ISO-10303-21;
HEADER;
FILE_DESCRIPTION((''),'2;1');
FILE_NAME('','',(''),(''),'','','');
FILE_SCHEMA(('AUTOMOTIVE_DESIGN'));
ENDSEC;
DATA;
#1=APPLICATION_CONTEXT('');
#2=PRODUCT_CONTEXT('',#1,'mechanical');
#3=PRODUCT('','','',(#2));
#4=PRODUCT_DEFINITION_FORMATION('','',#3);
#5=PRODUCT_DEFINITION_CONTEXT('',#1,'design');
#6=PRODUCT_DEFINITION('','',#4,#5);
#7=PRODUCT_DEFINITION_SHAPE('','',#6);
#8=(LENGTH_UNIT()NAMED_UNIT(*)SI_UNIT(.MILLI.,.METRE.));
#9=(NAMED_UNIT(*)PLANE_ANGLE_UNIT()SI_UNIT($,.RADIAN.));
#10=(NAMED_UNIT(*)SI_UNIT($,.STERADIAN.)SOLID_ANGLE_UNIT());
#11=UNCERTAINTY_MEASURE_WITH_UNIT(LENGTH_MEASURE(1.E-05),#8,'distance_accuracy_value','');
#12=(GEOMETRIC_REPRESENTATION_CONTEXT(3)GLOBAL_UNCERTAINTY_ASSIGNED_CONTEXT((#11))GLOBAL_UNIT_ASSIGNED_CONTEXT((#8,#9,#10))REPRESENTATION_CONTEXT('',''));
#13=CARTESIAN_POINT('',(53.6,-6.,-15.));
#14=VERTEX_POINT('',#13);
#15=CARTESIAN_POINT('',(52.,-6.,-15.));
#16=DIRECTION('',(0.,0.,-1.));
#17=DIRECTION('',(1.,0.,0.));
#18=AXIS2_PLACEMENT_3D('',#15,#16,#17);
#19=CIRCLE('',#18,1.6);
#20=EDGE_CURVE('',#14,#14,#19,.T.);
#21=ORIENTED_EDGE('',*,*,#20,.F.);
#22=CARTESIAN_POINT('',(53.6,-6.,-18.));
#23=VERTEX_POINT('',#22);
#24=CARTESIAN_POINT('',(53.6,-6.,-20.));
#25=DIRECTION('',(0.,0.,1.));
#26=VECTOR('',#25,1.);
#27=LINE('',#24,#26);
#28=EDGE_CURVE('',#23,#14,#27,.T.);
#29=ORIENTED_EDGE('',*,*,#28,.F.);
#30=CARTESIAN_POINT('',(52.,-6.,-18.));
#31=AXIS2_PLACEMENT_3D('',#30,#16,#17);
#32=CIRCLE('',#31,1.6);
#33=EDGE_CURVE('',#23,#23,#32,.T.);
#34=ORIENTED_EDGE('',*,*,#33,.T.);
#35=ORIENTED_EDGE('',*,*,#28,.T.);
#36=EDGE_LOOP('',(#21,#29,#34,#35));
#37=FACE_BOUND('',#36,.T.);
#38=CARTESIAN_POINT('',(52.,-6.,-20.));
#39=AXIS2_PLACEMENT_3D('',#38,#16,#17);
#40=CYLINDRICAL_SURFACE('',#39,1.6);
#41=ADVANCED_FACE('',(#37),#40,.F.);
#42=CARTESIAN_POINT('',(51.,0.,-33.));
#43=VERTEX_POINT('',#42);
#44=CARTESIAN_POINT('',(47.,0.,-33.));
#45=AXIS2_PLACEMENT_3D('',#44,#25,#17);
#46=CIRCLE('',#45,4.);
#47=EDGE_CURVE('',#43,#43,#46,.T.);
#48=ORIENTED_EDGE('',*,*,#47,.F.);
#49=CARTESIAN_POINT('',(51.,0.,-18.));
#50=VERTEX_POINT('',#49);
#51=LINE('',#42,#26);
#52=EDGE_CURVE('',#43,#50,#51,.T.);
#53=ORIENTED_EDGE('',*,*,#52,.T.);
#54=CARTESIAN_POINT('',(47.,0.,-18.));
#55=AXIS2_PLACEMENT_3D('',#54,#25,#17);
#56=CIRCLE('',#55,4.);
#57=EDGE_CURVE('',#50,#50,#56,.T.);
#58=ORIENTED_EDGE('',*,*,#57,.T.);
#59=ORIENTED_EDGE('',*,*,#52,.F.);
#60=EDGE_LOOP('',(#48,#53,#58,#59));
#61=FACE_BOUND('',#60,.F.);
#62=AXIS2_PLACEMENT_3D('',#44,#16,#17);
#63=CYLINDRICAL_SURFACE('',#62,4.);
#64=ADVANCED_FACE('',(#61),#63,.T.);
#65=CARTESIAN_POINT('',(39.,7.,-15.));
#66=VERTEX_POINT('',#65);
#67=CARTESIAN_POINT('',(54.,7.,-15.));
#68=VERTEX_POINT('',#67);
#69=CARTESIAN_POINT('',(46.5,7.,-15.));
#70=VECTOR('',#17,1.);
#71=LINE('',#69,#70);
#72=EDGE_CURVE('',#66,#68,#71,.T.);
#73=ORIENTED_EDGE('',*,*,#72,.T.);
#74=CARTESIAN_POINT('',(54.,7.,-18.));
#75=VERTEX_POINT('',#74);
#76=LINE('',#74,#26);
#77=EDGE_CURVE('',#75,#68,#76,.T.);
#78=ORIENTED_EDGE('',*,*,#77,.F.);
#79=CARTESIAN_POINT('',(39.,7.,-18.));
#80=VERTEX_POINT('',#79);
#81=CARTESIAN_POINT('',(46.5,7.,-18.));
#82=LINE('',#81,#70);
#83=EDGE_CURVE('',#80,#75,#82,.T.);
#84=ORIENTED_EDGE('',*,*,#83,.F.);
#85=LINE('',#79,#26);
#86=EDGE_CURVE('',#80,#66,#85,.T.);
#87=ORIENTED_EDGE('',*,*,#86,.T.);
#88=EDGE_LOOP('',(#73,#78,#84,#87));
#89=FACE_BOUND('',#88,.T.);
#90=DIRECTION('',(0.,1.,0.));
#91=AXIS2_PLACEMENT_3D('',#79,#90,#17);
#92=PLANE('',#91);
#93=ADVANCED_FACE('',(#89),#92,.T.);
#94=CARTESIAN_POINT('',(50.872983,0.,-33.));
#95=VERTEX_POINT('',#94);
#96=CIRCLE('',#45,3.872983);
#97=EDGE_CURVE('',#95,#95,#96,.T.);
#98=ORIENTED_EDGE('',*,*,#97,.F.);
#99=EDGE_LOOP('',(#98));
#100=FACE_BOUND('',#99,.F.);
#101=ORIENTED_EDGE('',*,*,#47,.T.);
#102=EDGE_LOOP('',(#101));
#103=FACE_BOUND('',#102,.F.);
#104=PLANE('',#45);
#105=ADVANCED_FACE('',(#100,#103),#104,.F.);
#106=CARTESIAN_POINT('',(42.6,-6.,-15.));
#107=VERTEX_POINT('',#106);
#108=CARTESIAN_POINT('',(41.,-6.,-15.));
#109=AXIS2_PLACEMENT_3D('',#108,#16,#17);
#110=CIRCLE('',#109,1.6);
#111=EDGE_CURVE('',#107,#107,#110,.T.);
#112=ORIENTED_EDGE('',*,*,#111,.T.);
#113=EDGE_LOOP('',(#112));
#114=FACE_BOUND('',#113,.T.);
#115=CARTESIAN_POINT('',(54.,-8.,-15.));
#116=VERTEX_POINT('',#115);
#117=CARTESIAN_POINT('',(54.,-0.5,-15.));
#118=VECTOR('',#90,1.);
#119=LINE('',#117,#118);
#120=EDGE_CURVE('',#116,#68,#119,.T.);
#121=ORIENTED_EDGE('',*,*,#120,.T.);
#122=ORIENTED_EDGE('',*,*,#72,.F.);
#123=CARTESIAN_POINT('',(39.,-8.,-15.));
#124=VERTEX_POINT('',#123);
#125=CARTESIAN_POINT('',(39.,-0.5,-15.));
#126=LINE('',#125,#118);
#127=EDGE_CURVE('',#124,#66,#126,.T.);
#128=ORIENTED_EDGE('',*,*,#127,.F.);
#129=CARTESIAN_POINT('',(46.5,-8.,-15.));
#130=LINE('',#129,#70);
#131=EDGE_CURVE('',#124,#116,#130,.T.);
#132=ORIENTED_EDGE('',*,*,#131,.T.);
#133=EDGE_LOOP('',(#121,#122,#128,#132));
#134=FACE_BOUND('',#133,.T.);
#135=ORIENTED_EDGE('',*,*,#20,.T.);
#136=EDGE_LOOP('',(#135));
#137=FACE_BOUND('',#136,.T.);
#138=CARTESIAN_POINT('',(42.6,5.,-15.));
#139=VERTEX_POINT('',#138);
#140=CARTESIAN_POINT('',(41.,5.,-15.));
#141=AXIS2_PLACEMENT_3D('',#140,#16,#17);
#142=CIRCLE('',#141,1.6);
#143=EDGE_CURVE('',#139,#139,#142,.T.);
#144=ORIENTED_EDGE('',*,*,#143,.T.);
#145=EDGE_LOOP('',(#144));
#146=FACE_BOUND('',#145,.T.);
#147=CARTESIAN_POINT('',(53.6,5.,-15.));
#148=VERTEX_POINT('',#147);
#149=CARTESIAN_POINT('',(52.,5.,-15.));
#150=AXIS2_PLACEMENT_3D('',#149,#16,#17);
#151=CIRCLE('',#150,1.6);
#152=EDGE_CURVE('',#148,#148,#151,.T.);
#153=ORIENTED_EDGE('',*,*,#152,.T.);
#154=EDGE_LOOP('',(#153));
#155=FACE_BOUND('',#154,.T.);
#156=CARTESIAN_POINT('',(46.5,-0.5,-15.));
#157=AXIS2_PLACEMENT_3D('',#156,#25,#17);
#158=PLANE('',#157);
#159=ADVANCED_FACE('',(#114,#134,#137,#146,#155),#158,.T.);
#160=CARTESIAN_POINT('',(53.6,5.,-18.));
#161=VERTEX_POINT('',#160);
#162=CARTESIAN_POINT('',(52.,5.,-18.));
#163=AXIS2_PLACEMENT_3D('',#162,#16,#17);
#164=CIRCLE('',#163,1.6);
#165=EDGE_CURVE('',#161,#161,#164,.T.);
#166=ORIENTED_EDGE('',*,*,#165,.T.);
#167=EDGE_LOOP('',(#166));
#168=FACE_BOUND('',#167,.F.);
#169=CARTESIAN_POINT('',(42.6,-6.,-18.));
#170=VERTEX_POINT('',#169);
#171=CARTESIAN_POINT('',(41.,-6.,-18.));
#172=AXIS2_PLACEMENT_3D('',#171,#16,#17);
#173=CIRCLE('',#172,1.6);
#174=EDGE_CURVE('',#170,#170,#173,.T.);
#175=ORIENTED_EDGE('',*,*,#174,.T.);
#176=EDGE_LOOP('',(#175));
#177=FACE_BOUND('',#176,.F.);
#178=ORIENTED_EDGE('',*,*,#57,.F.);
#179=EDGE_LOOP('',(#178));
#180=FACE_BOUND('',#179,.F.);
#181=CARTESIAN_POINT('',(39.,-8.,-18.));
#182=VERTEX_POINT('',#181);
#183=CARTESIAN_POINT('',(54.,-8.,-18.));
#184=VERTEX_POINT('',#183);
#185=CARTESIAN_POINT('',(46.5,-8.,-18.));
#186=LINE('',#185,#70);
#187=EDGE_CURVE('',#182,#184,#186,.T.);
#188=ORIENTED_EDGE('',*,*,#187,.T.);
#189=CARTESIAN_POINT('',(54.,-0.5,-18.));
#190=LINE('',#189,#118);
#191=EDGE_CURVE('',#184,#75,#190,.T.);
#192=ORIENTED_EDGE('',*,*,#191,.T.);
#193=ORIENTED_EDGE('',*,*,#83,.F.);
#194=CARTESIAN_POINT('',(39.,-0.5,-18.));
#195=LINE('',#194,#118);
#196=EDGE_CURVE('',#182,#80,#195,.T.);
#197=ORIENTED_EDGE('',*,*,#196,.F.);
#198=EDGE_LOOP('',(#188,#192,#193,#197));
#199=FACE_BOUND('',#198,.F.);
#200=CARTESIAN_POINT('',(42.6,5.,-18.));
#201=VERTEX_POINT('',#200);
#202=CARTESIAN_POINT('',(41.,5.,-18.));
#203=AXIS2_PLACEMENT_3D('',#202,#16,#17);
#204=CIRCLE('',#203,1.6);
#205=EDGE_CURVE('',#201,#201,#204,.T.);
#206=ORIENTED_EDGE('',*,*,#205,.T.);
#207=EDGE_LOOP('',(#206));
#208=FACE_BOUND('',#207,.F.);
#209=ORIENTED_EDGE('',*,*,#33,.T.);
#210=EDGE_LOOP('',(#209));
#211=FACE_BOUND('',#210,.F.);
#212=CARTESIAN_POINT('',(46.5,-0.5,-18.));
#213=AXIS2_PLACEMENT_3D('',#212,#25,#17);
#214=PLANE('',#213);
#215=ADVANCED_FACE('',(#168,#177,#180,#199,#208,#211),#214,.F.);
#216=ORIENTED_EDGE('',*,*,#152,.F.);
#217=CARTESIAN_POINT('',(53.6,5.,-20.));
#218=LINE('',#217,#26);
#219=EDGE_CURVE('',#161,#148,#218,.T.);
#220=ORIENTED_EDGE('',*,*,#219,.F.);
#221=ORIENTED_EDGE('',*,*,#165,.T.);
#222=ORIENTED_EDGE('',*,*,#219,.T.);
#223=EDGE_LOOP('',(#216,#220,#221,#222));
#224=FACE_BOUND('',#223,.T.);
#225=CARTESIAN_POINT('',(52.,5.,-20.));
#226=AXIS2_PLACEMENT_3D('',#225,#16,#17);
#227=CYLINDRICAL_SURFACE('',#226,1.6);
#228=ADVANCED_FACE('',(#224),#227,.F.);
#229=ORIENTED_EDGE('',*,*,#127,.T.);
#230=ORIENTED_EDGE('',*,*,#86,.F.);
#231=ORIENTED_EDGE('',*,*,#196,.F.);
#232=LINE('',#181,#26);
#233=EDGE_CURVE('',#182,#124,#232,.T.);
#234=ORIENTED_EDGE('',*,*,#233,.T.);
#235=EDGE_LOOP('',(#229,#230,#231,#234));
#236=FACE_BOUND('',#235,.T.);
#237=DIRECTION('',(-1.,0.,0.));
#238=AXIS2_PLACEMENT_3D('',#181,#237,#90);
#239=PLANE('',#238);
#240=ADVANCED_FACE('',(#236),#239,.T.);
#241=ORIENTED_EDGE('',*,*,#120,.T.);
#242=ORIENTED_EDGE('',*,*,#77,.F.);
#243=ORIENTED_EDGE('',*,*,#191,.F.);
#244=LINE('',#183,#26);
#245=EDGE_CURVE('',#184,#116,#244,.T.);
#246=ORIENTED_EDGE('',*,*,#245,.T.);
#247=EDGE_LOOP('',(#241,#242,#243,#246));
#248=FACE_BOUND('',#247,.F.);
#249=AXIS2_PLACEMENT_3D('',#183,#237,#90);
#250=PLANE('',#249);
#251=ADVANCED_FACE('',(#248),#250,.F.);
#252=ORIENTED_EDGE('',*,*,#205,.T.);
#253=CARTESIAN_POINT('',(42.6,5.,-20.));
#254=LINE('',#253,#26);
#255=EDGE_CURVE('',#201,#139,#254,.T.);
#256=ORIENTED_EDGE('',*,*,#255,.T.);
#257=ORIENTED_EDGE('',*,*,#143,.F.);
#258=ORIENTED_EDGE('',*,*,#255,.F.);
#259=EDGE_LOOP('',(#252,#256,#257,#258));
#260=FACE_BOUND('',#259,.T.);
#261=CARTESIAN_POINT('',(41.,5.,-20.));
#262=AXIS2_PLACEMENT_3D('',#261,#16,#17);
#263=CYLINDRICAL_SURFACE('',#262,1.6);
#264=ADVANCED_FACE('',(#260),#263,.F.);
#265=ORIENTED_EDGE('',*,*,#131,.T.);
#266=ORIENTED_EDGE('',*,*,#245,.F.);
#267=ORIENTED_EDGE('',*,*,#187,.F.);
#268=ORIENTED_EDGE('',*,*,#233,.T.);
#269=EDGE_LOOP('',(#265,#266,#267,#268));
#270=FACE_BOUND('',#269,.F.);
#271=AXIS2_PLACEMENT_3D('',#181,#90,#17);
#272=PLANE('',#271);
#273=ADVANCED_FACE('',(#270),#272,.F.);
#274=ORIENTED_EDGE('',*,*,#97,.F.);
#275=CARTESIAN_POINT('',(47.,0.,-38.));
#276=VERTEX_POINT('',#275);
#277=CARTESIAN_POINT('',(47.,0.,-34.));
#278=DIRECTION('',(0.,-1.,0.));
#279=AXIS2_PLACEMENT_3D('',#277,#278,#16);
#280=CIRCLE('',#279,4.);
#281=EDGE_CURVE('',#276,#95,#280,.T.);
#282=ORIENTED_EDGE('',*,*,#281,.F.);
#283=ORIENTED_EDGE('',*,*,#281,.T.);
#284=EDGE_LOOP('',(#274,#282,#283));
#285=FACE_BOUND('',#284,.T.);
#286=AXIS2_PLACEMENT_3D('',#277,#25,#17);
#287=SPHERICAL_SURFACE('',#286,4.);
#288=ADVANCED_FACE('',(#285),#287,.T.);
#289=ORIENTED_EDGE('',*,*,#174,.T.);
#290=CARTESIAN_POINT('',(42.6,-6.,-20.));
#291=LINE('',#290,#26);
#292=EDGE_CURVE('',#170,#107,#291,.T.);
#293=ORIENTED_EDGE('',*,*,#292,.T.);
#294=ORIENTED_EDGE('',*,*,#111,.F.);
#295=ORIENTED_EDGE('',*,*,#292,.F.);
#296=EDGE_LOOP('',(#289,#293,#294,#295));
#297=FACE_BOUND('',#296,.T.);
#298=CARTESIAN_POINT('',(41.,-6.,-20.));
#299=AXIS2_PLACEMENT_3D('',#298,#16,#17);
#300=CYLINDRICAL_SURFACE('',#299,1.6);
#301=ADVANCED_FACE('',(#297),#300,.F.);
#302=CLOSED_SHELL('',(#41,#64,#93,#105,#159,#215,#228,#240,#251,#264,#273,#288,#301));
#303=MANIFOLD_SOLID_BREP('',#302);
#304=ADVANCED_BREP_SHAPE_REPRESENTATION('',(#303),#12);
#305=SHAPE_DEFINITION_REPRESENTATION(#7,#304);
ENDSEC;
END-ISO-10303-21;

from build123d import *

# Parameters (mm, degrees)
CYLINDER013_R     = 1.6
CYLINDER013_DEPTH = 10
CYLINDER014_R     = 1.6
CYLINDER014_DEPTH = 10
CYLINDER015_R     = 1.6
CYLINDER015_DEPTH = 10
CYLINDER012_R     = 1.6
CYLINDER012_DEPTH = 10
BOX008_W          = 15
BOX008_H          = 15
BOX008_DEPTH      = 3
CYLINDER011_R     = 4
CYLINDER011_DEPTH = 15


with BuildPart() as cilindro013:
    # Cylinder013 → Cylinder013 (new body)
    with BuildSketch(Plane(origin=(32, 5, -20), x_dir=(1, 0, 0), z_dir=(0, 0, 1))):
        Circle(CYLINDER013_R)
    extrude(amount=CYLINDER013_DEPTH)


with BuildPart() as cilindro014:
    # Cylinder014 → Cylinder014 (new body)
    with BuildSketch(Plane(origin=(21, -6, -20), x_dir=(1, 0, 0), z_dir=(0, 0, 1))):
        Circle(CYLINDER014_R)
    extrude(amount=CYLINDER014_DEPTH)


with BuildPart() as cilindro015:
    # Cylinder015 → Cylinder015 (new body)
    with BuildSketch(Plane(origin=(21, 5, -20), x_dir=(1, 0, 0), z_dir=(0, 0, 1))):
        Circle(CYLINDER015_R)
    extrude(amount=CYLINDER015_DEPTH)


with BuildPart() as fusion005:
    # Cylinder012 → Cylinder012 (new body)
    with BuildSketch(Plane(origin=(32, -6, -20), x_dir=(1, 0, 0), z_dir=(0, 0, 1))):
        Circle(CYLINDER012_R)
    extrude(amount=CYLINDER012_DEPTH)

    # Fusion005: union Cilindro013, Cilindro014, Cilindro015
    add(cilindro013.part)
    add(cilindro014.part)
    add(cilindro015.part)


with BuildPart() as cubo008:
    # Box008 → Box008 (new body)
    with BuildSketch(Plane(origin=(-8, -8, 4), x_dir=(1, 0, 0), z_dir=(0, 0, 1))):
        with Locations((7.5, 7.5)):
            Rectangle(BOX008_W, BOX008_H)
    extrude(amount=BOX008_DEPTH)


with BuildPart() as esfera:
    # Sphere → Sphere (revolve)
    with BuildSketch(Plane(origin=(0, 0, -16), x_dir=(1, 0, 0), z_dir=(0, -1, 0))):
        with BuildLine():
            ThreePointArc((0, -4), (4, 0), (0, 4))
            Line((0, 4), (0, -4))
        make_face()
    revolve(axis=Axis((0, 0, -16), (0, 0, 1)))


with BuildPart() as ballcastera:
    # Cylinder011 → Cylinder011 (new body)
    with BuildSketch(Plane.XY.offset(-15)):
        Circle(CYLINDER011_R)
    extrude(amount=CYLINDER011_DEPTH)

    # Fusion010: union Esfera
    add(esfera.part)


with BuildPart() as ballcastera_1:
    # Fusion010 placement: moved
    add(ballcastera.part.moved(Location((0, 0, 4))))

    # Fusion011: union Cubo008
    add(cubo008.part)


with BuildPart() as ballcastera_2:
    # Fusion011 placement: moved
    add(ballcastera_1.part.moved(Location((27, 0, -22))))

    # Cut009: cut Fusion005
    add(fusion005.part, mode=Mode.SUBTRACT)


with BuildPart() as ballcastera_3:
    # Cut009 placement: moved
    add(ballcastera_2.part.moved(Location((20, 0, 0))))


solid = ballcastera_3.part
